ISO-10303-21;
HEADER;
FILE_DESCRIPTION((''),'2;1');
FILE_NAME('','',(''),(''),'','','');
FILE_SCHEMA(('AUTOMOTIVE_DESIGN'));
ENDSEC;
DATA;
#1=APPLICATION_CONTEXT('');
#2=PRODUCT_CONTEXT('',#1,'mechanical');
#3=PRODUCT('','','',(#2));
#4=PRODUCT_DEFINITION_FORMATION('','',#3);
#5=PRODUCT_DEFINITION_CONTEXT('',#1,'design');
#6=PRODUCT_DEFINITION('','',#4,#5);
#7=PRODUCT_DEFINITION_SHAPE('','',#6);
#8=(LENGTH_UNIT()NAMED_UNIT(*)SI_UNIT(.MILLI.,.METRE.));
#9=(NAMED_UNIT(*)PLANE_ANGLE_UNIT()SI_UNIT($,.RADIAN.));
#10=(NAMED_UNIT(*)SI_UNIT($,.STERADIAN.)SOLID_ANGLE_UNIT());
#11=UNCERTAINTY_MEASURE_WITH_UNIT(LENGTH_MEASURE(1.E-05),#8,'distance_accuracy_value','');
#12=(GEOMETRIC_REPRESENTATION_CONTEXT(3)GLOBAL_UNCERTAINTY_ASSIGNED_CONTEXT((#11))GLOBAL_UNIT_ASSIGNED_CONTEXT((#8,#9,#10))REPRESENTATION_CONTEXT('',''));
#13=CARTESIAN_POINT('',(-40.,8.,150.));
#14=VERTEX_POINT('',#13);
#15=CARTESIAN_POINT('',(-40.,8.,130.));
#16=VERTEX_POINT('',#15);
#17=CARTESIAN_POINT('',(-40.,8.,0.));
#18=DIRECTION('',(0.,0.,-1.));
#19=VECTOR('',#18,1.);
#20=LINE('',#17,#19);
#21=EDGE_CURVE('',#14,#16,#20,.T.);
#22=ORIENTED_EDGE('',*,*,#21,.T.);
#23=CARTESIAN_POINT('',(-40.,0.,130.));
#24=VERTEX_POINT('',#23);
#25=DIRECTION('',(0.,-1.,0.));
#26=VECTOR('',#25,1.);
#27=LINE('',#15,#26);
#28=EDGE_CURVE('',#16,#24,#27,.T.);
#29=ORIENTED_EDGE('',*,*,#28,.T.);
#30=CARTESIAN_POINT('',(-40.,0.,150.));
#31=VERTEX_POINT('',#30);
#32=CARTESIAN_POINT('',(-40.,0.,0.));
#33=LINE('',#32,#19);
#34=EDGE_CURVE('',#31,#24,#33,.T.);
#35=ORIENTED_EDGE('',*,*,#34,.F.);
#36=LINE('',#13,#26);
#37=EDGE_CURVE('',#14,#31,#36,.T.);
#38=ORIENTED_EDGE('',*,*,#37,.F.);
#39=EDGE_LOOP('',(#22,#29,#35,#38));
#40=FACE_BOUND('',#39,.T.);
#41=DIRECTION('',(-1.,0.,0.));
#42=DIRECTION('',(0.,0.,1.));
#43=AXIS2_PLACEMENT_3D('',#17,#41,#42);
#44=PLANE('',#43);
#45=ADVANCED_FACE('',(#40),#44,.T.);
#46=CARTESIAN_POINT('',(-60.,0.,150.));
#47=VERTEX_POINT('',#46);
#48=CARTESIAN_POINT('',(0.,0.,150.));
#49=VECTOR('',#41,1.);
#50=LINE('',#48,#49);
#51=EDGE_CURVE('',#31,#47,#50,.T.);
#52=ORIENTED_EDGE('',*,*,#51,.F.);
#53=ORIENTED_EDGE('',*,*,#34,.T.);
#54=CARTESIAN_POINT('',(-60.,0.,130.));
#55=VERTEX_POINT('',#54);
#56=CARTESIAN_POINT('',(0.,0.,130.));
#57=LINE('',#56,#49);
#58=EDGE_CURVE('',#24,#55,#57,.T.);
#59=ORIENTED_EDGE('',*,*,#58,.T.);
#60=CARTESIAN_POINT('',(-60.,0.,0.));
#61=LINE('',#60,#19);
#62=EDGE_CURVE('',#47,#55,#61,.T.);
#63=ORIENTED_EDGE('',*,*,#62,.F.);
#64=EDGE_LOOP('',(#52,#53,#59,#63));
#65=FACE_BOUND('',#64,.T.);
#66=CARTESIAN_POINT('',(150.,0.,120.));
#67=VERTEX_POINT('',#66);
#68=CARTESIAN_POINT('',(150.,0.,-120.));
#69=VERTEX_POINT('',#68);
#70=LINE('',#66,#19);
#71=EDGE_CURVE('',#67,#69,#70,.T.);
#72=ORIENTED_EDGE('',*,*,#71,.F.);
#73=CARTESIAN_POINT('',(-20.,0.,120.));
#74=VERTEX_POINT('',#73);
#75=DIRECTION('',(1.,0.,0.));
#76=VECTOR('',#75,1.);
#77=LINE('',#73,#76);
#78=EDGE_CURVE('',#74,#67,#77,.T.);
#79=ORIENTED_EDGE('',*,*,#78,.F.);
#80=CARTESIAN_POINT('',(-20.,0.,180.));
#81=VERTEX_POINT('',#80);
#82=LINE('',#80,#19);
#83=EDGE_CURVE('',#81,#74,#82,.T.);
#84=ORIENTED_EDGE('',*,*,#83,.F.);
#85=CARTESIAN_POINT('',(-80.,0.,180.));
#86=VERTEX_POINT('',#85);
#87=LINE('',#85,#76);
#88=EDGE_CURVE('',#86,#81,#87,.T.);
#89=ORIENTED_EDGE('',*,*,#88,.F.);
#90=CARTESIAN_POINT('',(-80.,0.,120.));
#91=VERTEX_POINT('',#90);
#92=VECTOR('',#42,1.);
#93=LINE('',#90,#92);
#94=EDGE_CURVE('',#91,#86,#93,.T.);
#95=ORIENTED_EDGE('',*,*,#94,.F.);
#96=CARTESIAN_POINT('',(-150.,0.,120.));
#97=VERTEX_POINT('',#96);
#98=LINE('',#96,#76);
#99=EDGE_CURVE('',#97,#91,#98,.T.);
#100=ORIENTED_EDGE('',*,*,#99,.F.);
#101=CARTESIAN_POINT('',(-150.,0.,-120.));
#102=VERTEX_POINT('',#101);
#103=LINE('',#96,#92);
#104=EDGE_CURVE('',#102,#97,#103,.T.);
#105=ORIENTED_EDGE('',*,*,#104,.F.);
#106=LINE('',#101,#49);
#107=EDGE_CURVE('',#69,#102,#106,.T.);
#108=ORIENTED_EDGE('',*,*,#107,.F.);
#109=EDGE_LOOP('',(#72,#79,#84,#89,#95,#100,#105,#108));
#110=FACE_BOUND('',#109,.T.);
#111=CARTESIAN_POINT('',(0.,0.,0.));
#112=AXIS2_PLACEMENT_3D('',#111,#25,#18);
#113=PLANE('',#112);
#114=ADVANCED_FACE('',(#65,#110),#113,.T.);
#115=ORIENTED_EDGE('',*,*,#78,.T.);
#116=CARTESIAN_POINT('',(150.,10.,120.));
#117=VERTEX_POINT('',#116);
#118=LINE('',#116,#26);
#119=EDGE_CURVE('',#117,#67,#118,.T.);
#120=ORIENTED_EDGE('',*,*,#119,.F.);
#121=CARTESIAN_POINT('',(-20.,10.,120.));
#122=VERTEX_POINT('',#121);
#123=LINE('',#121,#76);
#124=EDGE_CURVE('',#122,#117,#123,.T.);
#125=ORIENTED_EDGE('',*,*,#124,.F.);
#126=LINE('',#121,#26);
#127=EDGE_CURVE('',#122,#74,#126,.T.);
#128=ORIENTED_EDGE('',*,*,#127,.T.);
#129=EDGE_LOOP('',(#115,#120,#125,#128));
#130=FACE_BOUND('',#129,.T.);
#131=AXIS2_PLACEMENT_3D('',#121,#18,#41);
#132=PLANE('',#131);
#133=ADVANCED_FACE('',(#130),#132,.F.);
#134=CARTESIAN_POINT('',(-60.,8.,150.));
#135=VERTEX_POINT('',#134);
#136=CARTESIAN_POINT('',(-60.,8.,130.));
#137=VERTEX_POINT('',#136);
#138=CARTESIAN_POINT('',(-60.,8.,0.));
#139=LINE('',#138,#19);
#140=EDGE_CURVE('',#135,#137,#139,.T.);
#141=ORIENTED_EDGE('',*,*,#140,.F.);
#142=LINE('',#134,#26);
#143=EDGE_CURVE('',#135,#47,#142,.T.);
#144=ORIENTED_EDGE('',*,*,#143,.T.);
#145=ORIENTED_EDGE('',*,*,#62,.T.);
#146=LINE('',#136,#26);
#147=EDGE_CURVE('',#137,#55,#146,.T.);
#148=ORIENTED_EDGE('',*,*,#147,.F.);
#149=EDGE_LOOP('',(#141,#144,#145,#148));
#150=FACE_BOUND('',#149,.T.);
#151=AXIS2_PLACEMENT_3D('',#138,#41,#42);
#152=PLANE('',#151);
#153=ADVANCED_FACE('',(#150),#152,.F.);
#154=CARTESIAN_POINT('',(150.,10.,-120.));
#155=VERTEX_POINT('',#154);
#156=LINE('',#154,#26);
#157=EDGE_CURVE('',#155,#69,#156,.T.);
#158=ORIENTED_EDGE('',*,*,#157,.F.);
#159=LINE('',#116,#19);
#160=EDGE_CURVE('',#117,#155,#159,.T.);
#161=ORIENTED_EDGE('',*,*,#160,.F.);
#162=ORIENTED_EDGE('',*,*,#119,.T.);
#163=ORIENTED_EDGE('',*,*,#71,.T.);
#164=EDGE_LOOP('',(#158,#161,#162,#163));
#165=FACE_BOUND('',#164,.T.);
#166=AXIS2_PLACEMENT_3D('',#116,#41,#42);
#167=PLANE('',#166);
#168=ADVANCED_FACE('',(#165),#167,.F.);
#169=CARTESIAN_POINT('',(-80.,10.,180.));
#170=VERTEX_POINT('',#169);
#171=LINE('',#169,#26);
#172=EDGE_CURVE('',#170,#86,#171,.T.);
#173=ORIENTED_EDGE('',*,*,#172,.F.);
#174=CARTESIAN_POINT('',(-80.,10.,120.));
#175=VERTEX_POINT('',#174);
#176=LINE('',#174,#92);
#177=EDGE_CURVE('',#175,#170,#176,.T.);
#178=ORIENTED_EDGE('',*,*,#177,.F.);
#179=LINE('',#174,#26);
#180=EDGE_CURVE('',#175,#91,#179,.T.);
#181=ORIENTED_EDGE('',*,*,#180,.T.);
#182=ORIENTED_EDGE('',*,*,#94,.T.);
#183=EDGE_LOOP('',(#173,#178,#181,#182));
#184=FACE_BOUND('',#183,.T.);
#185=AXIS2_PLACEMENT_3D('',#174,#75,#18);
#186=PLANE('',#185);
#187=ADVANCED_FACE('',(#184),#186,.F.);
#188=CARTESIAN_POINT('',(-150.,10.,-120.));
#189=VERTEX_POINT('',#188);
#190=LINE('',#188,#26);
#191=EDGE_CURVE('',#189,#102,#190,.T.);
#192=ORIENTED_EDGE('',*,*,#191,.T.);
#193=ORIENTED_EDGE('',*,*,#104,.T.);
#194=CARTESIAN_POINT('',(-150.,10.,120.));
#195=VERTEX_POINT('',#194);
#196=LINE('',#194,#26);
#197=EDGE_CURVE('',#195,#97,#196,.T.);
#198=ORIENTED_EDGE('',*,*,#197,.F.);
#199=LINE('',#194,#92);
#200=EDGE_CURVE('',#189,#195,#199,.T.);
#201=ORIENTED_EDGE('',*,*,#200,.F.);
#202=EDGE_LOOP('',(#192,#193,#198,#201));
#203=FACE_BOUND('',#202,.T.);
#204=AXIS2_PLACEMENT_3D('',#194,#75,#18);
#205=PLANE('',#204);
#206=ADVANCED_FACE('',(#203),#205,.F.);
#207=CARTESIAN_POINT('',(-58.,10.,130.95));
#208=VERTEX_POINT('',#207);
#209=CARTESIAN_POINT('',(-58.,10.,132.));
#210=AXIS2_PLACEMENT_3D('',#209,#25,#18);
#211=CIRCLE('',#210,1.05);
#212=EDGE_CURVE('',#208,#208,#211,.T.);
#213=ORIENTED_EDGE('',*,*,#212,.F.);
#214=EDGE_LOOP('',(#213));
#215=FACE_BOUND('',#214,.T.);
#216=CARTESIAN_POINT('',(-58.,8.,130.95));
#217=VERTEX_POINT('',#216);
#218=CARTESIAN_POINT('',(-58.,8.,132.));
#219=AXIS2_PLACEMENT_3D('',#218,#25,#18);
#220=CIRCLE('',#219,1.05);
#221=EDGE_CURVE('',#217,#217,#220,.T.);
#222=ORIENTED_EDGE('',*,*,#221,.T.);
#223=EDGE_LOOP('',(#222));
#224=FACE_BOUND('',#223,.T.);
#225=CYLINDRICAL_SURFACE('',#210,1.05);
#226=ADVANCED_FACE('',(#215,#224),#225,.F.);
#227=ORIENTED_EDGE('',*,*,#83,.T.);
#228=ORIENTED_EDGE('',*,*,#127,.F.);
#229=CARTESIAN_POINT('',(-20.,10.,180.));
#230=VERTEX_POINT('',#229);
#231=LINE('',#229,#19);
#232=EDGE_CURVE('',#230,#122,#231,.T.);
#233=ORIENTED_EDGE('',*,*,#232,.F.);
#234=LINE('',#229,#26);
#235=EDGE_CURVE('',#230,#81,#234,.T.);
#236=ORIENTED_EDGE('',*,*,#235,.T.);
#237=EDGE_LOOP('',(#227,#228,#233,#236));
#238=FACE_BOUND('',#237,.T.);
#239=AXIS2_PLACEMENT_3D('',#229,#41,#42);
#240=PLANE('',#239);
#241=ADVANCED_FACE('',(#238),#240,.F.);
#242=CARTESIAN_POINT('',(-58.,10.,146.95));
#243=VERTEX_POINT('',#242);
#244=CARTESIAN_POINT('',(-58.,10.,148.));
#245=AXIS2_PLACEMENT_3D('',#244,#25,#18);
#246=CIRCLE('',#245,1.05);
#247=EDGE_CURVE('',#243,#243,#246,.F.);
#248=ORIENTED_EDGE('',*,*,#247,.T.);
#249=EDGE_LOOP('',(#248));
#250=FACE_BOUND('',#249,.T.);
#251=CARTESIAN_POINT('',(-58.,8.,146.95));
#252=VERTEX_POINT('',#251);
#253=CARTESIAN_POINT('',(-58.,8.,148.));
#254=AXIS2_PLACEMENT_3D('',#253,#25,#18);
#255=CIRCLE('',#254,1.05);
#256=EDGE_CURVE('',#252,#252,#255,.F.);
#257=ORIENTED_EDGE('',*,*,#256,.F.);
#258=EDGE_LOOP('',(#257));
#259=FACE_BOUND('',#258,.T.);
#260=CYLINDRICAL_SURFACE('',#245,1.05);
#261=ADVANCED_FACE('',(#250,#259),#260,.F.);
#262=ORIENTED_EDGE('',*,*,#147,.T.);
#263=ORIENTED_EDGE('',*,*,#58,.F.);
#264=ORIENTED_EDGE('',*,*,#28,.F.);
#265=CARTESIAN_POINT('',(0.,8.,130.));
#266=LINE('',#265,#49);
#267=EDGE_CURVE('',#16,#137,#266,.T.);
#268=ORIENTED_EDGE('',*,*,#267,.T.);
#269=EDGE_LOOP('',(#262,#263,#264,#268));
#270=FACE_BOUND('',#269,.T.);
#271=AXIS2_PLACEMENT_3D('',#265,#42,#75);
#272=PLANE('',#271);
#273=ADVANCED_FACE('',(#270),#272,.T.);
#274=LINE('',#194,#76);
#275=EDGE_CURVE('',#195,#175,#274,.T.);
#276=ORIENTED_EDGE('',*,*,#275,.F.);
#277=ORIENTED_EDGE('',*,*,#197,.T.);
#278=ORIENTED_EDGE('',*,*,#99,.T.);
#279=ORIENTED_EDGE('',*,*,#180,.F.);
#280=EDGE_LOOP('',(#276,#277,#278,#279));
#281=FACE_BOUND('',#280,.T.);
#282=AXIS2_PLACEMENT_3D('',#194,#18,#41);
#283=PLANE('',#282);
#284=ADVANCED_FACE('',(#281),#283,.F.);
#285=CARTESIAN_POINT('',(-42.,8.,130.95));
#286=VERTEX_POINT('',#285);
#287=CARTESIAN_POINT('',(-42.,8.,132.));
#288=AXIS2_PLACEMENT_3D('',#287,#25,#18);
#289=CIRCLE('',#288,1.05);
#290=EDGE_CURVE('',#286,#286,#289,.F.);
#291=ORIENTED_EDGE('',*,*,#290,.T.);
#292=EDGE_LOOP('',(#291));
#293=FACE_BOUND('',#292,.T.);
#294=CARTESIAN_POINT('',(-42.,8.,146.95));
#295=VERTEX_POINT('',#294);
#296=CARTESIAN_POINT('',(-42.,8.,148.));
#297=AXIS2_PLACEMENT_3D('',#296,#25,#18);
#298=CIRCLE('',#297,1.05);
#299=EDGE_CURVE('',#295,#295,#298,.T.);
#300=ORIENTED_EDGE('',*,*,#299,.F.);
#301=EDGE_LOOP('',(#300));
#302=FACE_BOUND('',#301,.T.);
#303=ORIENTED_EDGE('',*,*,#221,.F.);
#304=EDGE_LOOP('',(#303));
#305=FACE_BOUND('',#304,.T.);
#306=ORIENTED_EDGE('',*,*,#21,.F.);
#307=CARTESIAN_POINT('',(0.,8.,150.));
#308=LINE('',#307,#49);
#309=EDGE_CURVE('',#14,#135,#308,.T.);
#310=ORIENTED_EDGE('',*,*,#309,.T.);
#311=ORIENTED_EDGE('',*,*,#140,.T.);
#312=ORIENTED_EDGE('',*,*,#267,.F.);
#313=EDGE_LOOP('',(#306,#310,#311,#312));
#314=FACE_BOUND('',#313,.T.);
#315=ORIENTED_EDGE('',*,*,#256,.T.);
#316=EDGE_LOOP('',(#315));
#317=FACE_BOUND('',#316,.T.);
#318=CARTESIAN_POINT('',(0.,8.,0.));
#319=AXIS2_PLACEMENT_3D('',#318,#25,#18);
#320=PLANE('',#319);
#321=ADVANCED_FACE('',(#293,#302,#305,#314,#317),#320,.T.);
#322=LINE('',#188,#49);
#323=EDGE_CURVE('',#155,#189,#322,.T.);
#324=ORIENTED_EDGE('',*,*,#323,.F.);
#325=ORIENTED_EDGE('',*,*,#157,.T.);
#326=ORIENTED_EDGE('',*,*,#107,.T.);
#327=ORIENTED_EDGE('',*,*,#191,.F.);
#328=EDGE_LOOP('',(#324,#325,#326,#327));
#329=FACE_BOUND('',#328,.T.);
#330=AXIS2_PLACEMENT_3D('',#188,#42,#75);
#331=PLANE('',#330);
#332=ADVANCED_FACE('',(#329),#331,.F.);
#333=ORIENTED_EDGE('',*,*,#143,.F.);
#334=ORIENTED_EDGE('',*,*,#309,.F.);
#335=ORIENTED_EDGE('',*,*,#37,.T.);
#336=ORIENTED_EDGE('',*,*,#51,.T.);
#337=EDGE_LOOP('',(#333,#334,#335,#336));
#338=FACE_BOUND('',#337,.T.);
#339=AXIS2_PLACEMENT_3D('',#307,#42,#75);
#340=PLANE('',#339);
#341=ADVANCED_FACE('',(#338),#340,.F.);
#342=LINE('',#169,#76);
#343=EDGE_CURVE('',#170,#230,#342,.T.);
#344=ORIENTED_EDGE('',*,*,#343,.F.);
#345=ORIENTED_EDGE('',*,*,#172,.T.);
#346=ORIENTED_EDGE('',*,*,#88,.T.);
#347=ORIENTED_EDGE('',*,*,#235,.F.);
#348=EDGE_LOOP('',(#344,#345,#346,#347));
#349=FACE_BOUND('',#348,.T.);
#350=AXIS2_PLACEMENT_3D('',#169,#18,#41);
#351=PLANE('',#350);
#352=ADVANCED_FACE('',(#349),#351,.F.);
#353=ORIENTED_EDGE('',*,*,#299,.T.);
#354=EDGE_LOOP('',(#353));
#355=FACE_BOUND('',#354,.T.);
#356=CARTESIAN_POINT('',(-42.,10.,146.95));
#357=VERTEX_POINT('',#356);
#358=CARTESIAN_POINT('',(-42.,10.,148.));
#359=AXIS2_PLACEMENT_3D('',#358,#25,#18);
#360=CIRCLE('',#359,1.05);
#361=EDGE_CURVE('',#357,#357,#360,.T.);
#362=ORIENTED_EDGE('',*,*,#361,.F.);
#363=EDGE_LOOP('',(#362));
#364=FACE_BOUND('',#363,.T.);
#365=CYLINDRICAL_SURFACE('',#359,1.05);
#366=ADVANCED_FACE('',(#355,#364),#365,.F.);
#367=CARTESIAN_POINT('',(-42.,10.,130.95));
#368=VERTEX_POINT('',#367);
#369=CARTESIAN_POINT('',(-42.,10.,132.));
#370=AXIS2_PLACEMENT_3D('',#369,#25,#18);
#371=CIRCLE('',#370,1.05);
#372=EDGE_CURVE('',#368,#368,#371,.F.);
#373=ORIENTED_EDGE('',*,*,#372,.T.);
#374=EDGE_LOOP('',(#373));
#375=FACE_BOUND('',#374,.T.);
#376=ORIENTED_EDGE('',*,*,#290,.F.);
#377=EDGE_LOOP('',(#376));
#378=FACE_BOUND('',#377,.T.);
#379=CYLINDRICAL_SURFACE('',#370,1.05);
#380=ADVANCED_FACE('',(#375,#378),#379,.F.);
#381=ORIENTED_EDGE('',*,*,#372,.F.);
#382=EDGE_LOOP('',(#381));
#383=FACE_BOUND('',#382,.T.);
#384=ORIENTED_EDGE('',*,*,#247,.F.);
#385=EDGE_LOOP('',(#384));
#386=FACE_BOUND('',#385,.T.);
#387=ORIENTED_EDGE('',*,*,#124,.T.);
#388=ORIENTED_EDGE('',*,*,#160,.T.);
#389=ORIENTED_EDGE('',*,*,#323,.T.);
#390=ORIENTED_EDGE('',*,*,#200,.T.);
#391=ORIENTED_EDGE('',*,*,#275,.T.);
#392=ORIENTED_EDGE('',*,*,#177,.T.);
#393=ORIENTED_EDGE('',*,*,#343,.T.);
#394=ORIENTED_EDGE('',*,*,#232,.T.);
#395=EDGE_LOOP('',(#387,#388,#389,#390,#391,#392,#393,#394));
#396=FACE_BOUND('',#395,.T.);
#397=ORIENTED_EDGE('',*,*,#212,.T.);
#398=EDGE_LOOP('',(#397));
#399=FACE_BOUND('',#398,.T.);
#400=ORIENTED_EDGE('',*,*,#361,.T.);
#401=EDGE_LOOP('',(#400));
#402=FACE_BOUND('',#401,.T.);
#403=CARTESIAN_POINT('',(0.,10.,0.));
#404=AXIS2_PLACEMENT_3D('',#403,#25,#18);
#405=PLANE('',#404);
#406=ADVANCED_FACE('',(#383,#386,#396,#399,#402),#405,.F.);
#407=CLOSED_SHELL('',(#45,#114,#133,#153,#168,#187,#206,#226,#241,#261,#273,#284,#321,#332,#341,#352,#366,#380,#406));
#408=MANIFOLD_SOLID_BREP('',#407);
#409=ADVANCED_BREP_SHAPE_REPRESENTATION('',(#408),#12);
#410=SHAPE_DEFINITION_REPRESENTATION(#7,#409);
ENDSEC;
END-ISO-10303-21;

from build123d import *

# Parameters (mm, degrees)
EXTRUDE_1_DEPTH     = 10
SKETCH_2_W          = 20
SKETCH_2_H          = 20
SKETCH_2_R          = 1.05
CUT_EXTRUDE_2_DEPTH = 8
SKETCH_2_3_R        = 1.05
CUT_EXTRUDE_3_DEPTH = 235.520787991


with BuildPart() as part:
    # 草圖1 → 填料-伸長1 (new body)
    with BuildSketch(Plane(origin=(0, 0, 0), x_dir=(1, 0, 0), z_dir=(0, 1, 0))):
        Polygon((-150, -120), (-80, -120), (-80, -180), (-20, -180), (-20, -120), (150, -120), (150, 120), (-150, 120), align=None)
    extrude(amount=EXTRUDE_1_DEPTH)

    # 草圖2 → 除料-伸長2 (cut)
    with BuildSketch(Plane.XZ):
        with Locations((-50, 140)):
            Rectangle(SKETCH_2_W, SKETCH_2_H)
        with Locations((-58, 132)):
            Circle(SKETCH_2_R, mode=Mode.SUBTRACT)
        with Locations((-42, 132)):
            Circle(SKETCH_2_R, mode=Mode.SUBTRACT)
        with Locations((-58, 148)):
            Circle(SKETCH_2_R, mode=Mode.SUBTRACT)
        with Locations((-42, 148)):
            Circle(SKETCH_2_R, mode=Mode.SUBTRACT)
    extrude(amount=-CUT_EXTRUDE_2_DEPTH, mode=Mode.SUBTRACT)

    # 草圖2<3> → 除料-伸長3 (cut, through all)
    with BuildSketch(Plane.XZ):
        with Locations((-58, 132)):
            Circle(SKETCH_2_3_R)
        with Locations((-58, 148)):
            Circle(SKETCH_2_3_R)
        with Locations((-42, 148)):
            Circle(SKETCH_2_3_R)
        with Locations((-42, 132)):
            Circle(SKETCH_2_3_R)
    extrude(amount=-CUT_EXTRUDE_3_DEPTH, mode=Mode.SUBTRACT)


solid = part.part
